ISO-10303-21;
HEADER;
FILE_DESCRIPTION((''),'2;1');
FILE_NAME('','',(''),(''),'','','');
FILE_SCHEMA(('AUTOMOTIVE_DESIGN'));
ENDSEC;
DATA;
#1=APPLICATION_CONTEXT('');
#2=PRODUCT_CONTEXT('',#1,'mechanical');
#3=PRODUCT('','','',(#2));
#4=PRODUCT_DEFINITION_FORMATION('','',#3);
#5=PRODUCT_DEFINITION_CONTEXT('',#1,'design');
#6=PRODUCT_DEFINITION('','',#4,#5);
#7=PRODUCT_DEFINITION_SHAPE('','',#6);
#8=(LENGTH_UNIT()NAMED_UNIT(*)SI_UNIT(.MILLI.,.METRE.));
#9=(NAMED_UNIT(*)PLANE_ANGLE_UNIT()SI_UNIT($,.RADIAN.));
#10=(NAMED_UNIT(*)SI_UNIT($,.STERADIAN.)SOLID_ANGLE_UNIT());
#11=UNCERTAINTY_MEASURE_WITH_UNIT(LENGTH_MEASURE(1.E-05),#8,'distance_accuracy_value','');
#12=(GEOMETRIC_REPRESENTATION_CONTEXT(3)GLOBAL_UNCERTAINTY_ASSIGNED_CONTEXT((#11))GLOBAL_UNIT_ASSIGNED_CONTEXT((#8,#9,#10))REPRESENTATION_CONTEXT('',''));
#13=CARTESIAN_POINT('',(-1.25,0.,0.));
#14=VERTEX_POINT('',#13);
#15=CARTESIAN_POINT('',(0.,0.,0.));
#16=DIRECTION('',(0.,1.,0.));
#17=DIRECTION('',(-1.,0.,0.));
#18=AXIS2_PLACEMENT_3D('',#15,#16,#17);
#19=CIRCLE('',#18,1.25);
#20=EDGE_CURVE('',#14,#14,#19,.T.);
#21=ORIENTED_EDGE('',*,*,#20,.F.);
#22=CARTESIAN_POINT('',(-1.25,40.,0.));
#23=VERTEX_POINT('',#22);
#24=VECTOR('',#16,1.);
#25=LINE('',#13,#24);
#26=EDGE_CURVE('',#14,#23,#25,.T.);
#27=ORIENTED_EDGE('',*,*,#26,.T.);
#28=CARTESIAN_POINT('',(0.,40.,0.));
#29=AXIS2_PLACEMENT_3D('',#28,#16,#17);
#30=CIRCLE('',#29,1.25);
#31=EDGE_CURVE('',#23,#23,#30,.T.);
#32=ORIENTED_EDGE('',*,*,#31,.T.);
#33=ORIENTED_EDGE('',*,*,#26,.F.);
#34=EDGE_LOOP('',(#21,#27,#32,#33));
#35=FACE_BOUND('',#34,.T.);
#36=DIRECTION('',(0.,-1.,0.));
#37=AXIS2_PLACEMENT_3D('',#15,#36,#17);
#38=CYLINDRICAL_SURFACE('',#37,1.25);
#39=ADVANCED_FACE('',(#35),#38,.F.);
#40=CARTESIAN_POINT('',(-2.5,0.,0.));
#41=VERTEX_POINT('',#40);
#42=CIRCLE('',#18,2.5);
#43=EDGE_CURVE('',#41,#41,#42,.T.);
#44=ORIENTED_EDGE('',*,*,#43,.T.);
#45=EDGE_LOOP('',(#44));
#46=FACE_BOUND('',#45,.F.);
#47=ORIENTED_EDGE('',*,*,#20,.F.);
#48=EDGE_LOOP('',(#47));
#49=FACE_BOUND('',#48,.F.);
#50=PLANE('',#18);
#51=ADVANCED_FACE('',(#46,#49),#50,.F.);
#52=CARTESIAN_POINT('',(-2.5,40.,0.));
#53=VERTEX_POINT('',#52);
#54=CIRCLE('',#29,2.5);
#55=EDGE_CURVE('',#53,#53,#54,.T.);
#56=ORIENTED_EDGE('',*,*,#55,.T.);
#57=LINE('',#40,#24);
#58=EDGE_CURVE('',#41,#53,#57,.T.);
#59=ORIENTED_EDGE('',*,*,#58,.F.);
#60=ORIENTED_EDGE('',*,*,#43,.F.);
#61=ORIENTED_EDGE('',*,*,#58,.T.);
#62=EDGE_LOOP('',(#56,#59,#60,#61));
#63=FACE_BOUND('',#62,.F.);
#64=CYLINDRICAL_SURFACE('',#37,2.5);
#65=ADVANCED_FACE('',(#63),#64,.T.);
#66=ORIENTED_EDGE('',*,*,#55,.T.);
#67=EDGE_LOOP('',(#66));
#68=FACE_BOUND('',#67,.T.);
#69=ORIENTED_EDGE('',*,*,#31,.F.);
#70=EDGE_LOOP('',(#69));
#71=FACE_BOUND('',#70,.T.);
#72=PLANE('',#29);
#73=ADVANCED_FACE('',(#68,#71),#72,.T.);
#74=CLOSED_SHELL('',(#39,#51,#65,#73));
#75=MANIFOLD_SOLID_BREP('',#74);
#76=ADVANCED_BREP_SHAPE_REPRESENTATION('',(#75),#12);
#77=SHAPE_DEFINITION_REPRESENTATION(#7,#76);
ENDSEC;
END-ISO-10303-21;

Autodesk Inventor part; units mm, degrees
ref_plane "YZ Plane" through (0, 0, 0) normal (1, 0, 0) x (0, 1, 0)
ref_plane "XZ Plane" through (0, 0, 0) normal (0, 1, 0) x (-1, 0, 0)
ref_plane "XY Plane" through (0, 0, 0) normal (0, 0, 1) x (1, 0, 0)
sketch "Boceto1" plane through (0, 0, 0) normal (0, 1, 0) x (-1, 0, 0)
  circle A0 centre (0, 0) radius 2.5
  circle A1 centre (0, 0) radius 1.25
  dimension "d0" = 5
  dimension "d1" = 2.5
extrude "Extrusión1" add sketch "Boceto1" along normal blind 40
properties part number "EjeMotor"
